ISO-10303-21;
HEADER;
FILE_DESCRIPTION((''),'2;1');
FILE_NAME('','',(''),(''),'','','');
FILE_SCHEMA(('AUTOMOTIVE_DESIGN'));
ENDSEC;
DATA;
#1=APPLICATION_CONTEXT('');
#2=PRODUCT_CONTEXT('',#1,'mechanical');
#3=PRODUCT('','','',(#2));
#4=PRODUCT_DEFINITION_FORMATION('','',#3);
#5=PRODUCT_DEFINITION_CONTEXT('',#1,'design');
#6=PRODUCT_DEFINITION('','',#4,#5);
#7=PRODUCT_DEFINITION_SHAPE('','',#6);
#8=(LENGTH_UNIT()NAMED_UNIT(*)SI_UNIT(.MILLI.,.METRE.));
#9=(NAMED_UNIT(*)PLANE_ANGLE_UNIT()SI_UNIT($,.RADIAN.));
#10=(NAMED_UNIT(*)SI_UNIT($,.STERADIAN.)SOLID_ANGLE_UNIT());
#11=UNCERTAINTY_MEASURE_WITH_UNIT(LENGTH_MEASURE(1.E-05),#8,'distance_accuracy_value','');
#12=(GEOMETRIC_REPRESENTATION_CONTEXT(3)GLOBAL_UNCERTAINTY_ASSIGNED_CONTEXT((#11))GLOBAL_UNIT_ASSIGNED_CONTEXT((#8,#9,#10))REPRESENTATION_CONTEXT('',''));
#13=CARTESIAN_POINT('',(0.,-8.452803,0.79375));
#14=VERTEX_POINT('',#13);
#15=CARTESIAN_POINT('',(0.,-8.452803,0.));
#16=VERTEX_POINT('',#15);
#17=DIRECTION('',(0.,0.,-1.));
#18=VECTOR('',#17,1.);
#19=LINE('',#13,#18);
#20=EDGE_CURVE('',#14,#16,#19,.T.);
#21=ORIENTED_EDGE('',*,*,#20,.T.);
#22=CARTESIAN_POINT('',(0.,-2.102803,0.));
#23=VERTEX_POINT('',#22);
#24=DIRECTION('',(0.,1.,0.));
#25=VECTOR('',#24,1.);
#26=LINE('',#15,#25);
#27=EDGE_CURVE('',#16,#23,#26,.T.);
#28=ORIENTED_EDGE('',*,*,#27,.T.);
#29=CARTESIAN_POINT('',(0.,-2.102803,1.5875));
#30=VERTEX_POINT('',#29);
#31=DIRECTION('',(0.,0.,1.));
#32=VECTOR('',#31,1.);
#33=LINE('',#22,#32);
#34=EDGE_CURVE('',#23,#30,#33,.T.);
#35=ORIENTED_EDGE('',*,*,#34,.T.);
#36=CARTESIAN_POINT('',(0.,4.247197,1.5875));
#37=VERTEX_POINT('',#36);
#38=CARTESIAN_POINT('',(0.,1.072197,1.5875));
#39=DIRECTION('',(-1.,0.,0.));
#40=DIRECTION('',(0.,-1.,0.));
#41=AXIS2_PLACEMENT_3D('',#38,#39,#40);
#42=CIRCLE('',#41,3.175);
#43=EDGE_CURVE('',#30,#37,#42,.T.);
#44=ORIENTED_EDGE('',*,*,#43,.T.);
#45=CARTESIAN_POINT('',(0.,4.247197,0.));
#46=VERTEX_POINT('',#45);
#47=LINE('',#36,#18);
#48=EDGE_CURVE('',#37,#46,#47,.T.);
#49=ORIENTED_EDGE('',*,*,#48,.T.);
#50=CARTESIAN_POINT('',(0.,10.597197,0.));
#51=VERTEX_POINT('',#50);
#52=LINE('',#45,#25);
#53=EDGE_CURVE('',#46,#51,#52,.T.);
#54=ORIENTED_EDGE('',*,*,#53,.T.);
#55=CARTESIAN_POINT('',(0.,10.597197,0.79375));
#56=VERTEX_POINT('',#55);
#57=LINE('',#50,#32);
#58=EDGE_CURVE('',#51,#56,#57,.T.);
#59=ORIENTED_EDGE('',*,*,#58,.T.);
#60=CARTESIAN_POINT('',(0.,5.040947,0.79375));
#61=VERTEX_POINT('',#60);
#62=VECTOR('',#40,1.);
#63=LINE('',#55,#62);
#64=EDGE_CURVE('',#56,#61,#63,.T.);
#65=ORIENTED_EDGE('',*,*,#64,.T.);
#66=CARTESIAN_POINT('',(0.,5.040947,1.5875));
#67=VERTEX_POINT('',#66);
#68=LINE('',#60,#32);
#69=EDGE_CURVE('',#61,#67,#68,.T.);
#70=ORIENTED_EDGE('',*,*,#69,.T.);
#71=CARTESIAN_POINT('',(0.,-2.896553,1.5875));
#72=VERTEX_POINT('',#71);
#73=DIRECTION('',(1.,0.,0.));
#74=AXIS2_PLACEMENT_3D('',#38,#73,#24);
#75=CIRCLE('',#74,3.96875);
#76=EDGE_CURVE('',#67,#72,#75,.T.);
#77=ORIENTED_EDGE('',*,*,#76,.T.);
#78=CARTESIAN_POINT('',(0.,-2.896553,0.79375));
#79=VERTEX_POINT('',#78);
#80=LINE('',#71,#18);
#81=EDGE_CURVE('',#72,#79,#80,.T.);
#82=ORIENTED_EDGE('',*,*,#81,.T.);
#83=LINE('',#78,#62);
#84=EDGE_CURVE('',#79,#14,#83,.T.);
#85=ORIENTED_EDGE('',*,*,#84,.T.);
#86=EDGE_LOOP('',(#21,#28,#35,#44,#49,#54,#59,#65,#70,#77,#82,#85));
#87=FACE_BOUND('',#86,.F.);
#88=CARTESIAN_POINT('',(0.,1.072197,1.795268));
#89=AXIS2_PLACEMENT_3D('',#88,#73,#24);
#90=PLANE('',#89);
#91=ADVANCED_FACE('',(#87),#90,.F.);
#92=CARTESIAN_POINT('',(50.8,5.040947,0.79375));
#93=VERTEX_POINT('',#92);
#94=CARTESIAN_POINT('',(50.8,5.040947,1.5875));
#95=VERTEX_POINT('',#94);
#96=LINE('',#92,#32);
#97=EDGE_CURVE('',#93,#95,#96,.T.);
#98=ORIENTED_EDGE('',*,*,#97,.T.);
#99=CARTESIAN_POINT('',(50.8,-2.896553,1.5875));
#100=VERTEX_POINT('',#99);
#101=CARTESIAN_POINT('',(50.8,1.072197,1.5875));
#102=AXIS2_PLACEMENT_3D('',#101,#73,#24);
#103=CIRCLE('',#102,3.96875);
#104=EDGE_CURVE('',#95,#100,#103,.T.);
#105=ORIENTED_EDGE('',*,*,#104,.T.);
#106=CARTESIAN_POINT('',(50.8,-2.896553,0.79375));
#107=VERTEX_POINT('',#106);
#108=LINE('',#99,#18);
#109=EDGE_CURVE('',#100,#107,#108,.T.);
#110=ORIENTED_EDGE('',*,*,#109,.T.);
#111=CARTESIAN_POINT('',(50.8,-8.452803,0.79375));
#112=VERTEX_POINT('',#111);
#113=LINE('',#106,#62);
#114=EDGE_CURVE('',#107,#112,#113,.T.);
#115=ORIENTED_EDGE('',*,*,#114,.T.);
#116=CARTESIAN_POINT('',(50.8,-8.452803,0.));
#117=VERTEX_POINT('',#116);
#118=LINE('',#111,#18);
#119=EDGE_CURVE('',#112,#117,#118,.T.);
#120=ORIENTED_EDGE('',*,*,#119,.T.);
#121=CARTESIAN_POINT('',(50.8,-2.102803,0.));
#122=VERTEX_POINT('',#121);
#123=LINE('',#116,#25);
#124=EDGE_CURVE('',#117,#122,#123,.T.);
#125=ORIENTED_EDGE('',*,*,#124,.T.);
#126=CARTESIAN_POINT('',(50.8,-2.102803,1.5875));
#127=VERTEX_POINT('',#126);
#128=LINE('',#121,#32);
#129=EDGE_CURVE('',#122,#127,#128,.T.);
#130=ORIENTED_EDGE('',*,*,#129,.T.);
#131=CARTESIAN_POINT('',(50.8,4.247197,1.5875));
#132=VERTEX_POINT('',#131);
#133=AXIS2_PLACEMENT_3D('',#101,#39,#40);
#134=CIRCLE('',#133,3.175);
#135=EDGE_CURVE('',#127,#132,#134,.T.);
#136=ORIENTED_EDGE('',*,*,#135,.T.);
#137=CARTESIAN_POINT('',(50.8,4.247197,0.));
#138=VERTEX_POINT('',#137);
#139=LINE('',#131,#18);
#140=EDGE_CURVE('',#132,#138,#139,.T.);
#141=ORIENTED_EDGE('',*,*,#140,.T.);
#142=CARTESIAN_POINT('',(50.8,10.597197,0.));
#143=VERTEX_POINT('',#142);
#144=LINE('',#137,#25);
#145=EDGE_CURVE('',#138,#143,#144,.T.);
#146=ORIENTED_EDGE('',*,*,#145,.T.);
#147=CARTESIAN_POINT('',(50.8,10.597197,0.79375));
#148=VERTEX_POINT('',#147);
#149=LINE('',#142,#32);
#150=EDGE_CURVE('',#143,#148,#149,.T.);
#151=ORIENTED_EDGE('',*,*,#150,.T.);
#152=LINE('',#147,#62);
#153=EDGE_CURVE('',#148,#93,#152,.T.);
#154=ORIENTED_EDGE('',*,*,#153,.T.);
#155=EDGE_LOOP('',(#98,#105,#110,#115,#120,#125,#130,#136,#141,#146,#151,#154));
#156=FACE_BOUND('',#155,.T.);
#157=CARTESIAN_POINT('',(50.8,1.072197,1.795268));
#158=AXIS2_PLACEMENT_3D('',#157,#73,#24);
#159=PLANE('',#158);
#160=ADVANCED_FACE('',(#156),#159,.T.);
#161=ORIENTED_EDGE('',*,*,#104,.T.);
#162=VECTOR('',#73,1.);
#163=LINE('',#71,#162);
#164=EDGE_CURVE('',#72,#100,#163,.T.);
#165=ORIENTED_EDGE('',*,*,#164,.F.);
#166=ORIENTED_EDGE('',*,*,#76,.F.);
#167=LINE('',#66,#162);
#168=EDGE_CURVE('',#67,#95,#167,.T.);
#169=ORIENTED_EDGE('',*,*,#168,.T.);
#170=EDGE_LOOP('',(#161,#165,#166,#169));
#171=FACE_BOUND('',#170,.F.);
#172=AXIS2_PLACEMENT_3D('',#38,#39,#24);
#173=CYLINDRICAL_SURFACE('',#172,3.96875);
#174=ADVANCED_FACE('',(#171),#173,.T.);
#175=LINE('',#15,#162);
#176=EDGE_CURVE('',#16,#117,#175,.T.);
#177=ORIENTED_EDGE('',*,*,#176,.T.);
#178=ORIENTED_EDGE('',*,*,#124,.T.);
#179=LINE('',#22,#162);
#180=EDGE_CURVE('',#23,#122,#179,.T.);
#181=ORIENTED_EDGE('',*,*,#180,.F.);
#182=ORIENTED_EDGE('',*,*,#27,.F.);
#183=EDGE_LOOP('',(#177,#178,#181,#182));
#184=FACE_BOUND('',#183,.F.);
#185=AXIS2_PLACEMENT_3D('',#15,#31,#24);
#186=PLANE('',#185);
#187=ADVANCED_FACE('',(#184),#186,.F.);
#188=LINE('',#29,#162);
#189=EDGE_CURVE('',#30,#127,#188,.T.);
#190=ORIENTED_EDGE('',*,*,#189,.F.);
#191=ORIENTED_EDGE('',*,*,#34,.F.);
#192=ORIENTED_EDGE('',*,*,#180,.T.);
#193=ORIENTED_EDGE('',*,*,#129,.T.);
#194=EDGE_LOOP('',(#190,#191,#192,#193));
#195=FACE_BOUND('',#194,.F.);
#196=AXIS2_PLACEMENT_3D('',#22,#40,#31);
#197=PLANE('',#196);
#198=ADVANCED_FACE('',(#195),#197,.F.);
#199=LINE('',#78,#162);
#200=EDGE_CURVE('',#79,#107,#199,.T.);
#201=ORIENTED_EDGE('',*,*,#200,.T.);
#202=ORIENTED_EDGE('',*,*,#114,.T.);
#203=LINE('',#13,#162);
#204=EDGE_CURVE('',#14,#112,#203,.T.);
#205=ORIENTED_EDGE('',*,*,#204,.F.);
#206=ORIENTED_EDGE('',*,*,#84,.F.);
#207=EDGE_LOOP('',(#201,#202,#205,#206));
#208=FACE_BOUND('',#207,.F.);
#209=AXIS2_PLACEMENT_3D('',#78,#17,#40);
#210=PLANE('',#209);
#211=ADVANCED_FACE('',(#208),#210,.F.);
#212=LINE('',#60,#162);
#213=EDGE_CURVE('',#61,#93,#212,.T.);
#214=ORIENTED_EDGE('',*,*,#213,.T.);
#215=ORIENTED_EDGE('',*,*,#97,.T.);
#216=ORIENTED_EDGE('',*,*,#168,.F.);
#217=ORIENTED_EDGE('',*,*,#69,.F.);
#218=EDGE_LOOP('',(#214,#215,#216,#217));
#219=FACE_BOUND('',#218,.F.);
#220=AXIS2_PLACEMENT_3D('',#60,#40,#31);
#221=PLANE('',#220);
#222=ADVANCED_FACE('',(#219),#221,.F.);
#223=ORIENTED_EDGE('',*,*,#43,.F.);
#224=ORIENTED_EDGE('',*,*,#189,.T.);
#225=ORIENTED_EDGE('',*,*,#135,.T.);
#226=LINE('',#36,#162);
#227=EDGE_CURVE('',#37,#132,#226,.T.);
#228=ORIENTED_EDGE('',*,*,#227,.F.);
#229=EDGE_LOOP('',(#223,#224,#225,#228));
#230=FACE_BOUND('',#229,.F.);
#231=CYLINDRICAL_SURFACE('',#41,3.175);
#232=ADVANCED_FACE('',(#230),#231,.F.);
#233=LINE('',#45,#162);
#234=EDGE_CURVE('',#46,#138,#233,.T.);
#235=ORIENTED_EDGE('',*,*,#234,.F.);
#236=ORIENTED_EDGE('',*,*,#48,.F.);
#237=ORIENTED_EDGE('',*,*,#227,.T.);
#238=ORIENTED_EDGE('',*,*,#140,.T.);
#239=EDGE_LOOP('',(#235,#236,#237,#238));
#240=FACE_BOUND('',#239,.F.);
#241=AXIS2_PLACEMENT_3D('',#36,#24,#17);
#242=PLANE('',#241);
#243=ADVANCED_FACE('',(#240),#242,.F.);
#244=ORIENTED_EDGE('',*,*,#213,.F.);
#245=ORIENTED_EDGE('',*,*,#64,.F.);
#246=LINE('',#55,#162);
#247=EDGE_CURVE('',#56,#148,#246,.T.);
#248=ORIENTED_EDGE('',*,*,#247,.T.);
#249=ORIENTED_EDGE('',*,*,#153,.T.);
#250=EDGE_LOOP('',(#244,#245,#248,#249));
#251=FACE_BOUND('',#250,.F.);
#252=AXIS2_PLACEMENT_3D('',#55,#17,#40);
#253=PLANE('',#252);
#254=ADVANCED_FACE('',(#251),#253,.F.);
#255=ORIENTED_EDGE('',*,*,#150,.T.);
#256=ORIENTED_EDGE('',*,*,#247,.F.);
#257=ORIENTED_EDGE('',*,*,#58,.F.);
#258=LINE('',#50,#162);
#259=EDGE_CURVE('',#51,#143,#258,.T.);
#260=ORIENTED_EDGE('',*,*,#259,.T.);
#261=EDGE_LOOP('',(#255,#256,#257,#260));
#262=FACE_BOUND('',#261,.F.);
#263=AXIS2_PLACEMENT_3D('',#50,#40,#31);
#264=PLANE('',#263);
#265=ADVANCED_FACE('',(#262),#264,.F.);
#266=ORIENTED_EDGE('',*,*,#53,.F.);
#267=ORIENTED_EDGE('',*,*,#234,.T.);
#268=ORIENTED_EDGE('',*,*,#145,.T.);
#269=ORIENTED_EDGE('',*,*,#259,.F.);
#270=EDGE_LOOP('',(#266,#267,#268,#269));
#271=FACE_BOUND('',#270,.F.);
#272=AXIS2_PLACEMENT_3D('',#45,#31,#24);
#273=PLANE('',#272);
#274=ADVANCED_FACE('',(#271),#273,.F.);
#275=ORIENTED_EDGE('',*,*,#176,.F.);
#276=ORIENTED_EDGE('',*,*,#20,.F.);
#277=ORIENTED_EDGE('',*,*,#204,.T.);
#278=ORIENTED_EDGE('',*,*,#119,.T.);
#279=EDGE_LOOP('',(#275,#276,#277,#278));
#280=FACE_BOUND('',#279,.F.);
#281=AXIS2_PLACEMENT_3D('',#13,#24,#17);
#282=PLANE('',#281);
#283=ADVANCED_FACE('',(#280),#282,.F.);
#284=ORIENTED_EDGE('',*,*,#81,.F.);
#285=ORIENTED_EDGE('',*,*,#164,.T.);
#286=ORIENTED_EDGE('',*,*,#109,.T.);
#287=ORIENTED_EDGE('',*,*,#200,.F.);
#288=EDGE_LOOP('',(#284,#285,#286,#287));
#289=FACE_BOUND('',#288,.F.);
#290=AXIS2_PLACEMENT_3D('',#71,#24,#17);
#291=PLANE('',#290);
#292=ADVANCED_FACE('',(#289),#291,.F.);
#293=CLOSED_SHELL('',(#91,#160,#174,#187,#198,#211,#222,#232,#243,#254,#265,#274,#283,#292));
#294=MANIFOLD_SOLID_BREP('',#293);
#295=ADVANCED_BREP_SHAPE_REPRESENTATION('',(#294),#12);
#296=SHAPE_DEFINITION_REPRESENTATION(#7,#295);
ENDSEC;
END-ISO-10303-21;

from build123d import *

# Parameters (mm, degrees)
F1_DEPTH = 50.8


with BuildPart() as f1:
    # F0 (on Right) → F1 (new body)
    with BuildSketch(Plane.YZ):
        with BuildLine():
            Line((-8.452803, 0), (-2.102803, 0))
            Line((-2.102803, 0), (-2.102803, 1.5875))
            ThreePointArc((-2.102803, 1.5875), (1.072197, 4.7625), (4.247197, 1.5875))
            Line((4.247197, 1.5875), (4.247197, 0))
            Line((4.247197, 0), (10.597197, 0))
            Line((10.597197, 0), (10.597197, 0.79375))
            Line((10.597197, 0.79375), (5.040947, 0.79375))
            Line((5.040947, 0.79375), (5.040947, 1.5875))
            ThreePointArc((5.040947, 1.5875), (1.072197, 5.55625), (-2.896553, 1.5875))
            Line((-2.896553, 1.5875), (-2.896553, 0.79375))
            Line((-2.896553, 0.79375), (-8.452803, 0.79375))
            Line((-8.452803, 0.79375), (-8.452803, 0))
        make_face()
    extrude(amount=F1_DEPTH)


solid = f1.part
